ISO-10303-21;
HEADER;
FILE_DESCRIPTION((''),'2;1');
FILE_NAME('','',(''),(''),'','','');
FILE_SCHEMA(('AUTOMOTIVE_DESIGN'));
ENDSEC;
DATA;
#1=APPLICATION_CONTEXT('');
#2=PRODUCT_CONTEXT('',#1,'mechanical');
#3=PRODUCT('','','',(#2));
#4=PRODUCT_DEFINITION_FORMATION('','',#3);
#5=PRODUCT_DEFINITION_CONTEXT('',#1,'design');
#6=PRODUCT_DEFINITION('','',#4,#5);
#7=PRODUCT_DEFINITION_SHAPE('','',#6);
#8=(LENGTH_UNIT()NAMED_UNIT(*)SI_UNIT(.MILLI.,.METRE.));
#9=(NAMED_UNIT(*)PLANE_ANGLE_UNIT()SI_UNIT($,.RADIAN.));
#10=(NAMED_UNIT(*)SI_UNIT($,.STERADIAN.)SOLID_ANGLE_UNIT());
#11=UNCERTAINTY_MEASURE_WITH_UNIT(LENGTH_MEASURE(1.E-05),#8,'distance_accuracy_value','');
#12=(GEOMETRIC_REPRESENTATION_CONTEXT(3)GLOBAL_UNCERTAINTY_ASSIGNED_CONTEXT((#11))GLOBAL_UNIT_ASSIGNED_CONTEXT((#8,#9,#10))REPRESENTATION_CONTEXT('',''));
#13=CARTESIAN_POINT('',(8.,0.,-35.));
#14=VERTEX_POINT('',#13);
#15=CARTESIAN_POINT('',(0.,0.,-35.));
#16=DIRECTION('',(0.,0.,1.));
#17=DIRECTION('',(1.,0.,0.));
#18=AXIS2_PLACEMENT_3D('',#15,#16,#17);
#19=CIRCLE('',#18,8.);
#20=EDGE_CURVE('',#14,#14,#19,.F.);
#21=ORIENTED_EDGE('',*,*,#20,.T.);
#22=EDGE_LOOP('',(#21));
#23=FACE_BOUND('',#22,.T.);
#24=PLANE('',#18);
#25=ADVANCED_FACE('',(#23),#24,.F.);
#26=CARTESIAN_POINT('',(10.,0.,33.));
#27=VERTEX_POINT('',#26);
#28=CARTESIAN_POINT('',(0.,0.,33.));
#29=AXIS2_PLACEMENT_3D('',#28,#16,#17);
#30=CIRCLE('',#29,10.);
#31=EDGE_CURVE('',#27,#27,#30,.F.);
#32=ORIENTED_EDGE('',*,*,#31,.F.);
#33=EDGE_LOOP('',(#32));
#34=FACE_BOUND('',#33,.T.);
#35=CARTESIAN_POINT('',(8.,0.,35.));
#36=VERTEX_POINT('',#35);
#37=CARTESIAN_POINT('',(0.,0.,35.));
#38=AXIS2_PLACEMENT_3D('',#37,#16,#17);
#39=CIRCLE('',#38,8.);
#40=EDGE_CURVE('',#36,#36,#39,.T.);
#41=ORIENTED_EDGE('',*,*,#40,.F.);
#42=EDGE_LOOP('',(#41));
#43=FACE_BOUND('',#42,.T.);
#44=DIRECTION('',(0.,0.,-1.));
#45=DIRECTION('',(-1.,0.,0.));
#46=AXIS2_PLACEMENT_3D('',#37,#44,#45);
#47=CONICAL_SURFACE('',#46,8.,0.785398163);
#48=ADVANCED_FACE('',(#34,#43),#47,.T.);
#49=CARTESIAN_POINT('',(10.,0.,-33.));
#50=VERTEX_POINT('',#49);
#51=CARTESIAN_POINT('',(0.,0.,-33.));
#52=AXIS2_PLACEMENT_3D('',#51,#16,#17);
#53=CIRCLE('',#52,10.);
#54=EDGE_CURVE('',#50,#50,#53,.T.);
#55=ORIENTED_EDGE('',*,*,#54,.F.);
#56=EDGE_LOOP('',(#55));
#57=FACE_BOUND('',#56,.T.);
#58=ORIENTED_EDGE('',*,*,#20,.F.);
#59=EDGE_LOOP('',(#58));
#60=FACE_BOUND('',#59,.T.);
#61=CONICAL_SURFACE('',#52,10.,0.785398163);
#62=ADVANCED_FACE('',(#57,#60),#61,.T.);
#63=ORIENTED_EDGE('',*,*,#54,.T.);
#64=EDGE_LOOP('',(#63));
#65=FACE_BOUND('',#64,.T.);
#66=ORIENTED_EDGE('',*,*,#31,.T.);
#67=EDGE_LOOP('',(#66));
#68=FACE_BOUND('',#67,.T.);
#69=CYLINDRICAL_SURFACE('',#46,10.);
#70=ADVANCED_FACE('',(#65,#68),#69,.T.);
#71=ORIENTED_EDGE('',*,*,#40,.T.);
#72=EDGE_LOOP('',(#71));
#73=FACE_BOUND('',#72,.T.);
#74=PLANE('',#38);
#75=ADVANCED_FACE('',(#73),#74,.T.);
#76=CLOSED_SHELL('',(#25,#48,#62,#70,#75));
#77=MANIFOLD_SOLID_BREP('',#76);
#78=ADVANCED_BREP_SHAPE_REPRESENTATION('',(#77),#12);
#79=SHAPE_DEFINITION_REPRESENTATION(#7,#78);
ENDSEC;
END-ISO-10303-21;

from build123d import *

# Parameters (mm, degrees)
IZIM2_R                     = 10
Y_KSEKLIK_EKSTR_ZYON1_DEPTH = 35
PAH1_SIZE                   = 2


with BuildPart() as part:
    # Çizim2 → Yükseklik-Ekstrüzyon1 (new, symmetric)
    with BuildSketch(Plane.XY):
        Circle(IZIM2_R)
    extrude(amount=Y_KSEKLIK_EKSTR_ZYON1_DEPTH, both=True)

    # Pah1
    pah1_edges = [part.edges().sort_by_distance(p)[0] for p in [
        (-10, 0, -35),
        (-10, 0, 35),
    ]]
    chamfer(pah1_edges, length=PAH1_SIZE)


solid = part.part
